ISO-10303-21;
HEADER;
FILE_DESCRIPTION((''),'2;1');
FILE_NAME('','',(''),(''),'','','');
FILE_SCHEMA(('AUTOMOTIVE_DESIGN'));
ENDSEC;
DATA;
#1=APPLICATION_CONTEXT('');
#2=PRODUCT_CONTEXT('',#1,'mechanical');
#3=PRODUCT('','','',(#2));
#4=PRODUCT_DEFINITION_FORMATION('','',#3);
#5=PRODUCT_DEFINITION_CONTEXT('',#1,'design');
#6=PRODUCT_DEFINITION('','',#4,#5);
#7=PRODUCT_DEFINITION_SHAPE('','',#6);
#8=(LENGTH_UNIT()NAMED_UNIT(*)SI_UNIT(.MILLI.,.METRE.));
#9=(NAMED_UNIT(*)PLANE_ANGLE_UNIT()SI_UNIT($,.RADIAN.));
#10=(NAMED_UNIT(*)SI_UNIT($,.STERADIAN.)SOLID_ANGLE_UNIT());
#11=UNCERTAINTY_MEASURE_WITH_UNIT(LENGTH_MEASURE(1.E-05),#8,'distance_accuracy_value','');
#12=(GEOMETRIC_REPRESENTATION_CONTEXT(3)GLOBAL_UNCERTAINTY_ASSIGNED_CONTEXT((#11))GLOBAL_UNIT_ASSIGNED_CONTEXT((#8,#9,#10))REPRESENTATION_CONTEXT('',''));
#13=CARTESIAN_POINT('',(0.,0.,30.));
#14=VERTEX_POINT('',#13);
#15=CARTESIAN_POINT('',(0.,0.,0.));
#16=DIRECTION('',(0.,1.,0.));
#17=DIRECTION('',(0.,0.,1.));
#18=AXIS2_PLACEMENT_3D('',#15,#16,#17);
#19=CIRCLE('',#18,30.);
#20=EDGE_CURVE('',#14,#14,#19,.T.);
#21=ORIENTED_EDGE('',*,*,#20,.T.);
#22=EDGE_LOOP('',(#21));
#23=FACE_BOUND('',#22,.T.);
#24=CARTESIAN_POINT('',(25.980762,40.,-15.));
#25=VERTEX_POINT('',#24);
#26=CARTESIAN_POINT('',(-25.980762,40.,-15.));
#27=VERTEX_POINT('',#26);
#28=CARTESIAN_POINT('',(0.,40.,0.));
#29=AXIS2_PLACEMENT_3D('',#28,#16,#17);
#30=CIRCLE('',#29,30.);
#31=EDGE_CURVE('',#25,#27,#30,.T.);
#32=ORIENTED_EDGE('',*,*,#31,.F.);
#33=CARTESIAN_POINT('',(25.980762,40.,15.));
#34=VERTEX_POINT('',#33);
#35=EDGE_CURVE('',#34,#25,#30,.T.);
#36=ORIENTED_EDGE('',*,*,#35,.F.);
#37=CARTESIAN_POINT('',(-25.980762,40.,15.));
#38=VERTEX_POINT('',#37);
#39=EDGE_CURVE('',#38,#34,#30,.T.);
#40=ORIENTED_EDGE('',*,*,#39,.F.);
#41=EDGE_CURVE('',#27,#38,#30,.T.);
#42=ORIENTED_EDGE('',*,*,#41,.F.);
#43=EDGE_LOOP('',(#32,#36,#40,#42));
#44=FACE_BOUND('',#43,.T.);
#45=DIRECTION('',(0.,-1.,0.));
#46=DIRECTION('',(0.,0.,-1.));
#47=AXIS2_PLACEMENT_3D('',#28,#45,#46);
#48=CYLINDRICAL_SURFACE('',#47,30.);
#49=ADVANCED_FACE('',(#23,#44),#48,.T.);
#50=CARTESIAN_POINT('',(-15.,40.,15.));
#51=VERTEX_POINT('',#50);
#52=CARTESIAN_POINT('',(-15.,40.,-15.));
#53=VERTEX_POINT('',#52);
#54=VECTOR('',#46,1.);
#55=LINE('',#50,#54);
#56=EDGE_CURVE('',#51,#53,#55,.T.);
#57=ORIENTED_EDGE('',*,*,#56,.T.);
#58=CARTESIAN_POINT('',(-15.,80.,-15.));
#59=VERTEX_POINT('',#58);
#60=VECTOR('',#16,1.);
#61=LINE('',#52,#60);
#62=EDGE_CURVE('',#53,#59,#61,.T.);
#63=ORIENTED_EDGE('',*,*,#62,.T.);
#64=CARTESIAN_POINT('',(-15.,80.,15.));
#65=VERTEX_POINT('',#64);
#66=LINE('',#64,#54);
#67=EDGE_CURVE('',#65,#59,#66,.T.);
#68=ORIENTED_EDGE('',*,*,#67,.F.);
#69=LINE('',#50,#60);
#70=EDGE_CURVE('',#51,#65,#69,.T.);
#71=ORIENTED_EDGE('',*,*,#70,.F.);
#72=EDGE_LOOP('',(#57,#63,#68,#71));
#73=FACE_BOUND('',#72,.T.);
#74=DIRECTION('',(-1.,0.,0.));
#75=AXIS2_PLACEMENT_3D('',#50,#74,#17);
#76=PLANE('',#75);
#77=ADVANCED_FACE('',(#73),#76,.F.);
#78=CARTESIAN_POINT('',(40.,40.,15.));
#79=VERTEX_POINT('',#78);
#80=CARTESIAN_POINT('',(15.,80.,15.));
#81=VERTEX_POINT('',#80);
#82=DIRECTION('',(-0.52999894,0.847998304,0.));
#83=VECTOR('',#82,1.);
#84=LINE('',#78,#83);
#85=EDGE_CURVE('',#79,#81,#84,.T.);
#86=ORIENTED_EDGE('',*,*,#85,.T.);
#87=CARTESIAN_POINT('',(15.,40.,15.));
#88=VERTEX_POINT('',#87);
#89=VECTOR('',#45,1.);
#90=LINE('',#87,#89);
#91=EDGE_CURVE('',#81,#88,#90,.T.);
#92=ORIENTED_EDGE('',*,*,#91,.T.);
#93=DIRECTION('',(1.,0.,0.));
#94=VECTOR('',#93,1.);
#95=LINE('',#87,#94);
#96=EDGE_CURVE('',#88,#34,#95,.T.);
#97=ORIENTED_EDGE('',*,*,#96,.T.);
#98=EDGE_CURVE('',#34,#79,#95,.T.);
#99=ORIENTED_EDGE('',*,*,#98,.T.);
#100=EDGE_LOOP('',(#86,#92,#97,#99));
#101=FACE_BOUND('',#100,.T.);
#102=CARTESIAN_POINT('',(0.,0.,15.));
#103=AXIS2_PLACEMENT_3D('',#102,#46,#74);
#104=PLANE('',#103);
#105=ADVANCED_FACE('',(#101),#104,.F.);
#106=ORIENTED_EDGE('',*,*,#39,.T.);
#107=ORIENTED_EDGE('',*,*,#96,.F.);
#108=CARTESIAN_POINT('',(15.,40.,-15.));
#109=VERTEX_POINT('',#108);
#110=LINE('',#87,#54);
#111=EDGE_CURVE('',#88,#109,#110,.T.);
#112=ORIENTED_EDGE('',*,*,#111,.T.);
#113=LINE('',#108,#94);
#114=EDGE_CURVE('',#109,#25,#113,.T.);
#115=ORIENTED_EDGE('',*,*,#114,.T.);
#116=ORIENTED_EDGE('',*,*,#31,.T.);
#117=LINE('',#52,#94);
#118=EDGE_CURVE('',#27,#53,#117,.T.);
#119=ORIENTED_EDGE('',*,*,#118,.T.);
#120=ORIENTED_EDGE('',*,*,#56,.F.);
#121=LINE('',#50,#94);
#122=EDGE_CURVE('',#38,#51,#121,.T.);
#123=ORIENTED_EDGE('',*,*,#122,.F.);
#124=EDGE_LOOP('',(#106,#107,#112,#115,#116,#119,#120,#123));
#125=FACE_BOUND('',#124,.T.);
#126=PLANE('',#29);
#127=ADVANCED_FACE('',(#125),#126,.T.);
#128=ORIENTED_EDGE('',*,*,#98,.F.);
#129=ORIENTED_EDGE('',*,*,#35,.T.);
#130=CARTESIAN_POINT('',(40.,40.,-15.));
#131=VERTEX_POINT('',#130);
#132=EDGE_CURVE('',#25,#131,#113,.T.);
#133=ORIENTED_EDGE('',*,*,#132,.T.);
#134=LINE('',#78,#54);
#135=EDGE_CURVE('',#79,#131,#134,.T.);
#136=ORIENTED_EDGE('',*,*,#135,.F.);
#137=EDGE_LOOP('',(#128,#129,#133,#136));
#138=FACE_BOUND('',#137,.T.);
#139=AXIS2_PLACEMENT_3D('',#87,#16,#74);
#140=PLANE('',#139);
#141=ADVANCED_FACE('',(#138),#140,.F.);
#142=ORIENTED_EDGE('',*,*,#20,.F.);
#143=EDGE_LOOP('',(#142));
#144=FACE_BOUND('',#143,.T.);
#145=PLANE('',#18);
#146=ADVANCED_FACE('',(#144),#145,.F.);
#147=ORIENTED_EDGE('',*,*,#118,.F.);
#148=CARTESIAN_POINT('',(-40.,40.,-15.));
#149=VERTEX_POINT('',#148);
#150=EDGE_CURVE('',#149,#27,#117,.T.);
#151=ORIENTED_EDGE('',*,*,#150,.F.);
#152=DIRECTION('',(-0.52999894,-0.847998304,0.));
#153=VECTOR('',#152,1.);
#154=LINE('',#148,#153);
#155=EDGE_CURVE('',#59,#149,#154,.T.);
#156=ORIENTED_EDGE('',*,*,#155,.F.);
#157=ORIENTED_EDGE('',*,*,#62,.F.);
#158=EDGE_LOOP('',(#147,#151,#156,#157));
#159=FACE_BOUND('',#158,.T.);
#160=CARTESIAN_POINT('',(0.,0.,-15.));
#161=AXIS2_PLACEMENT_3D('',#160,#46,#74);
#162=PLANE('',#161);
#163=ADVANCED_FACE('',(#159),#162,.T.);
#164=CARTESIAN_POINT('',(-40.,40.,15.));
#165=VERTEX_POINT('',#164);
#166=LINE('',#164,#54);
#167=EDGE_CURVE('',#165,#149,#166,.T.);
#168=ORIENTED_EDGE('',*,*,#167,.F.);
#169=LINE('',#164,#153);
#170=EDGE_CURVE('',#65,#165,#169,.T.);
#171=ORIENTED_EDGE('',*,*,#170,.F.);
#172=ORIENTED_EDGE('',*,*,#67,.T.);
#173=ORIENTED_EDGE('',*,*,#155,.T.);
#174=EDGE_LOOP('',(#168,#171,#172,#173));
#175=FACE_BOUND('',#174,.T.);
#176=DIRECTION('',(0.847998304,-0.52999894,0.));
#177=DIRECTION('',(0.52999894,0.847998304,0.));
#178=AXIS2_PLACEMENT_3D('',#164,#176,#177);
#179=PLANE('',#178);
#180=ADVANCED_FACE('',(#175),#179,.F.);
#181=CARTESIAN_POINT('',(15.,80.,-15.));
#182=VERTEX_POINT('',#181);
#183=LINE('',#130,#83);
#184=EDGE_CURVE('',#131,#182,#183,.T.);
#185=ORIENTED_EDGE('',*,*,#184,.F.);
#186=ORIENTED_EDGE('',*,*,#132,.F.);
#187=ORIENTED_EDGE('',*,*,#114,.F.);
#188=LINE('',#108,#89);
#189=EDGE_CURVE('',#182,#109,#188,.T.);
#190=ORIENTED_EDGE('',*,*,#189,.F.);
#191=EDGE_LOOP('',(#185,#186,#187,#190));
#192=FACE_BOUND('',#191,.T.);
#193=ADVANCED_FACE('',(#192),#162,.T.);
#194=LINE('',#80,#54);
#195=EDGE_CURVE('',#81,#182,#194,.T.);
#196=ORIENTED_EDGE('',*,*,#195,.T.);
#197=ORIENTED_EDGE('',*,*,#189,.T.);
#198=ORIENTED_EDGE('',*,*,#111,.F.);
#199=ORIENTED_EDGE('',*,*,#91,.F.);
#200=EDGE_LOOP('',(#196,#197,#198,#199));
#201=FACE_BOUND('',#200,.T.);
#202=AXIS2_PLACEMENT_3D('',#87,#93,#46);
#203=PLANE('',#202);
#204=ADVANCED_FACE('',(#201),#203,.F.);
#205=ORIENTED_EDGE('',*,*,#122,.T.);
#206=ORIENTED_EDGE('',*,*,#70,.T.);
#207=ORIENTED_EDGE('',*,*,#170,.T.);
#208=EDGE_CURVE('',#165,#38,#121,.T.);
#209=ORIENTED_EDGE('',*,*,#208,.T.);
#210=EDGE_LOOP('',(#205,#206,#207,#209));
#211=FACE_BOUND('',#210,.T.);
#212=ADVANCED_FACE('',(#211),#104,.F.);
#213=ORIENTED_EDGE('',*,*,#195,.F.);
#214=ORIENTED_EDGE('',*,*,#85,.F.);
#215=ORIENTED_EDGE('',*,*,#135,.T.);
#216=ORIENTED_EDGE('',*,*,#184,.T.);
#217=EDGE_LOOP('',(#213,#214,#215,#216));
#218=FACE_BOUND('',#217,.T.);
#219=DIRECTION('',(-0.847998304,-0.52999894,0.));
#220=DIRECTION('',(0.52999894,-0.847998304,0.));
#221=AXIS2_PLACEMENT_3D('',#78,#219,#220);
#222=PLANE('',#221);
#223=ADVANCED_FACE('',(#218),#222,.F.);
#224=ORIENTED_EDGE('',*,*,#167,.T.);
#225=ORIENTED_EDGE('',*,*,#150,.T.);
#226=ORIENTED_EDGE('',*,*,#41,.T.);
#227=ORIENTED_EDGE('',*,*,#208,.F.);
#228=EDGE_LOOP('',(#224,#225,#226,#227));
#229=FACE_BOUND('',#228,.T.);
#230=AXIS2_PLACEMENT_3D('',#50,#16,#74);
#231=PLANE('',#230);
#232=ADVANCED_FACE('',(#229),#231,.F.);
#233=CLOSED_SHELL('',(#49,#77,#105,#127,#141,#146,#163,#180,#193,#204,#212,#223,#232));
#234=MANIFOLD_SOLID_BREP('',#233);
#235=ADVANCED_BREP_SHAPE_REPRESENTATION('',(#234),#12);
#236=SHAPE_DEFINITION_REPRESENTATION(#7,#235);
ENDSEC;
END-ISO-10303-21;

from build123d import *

# Parameters (mm, degrees)
SKETCH_1_R      = 30
EXTRUDE_1_DEPTH = 40
EXTRUDE_2_DEPTH = 15


with BuildPart() as part:
    # 草图1 → 凸台-拉伸1 (new body)
    with BuildSketch(Plane(origin=(0, 0, 0), x_dir=(1, 0, 0), z_dir=(0, 1, 0))):
        with Locations(Location((0, 0, 0), (0, 0, 270))):
            Circle(SKETCH_1_R)
    extrude(amount=EXTRUDE_1_DEPTH)

    # 草图2 → 凸台-拉伸2 (add, symmetric)
    with BuildSketch(Plane.XY):
        Polygon((-15, 40), (-15, 80), (-40, 40), align=None)
        Polygon((15, 40), (40, 40), (15, 80), align=None)
    extrude(amount=EXTRUDE_2_DEPTH, both=True)


solid = part.part
